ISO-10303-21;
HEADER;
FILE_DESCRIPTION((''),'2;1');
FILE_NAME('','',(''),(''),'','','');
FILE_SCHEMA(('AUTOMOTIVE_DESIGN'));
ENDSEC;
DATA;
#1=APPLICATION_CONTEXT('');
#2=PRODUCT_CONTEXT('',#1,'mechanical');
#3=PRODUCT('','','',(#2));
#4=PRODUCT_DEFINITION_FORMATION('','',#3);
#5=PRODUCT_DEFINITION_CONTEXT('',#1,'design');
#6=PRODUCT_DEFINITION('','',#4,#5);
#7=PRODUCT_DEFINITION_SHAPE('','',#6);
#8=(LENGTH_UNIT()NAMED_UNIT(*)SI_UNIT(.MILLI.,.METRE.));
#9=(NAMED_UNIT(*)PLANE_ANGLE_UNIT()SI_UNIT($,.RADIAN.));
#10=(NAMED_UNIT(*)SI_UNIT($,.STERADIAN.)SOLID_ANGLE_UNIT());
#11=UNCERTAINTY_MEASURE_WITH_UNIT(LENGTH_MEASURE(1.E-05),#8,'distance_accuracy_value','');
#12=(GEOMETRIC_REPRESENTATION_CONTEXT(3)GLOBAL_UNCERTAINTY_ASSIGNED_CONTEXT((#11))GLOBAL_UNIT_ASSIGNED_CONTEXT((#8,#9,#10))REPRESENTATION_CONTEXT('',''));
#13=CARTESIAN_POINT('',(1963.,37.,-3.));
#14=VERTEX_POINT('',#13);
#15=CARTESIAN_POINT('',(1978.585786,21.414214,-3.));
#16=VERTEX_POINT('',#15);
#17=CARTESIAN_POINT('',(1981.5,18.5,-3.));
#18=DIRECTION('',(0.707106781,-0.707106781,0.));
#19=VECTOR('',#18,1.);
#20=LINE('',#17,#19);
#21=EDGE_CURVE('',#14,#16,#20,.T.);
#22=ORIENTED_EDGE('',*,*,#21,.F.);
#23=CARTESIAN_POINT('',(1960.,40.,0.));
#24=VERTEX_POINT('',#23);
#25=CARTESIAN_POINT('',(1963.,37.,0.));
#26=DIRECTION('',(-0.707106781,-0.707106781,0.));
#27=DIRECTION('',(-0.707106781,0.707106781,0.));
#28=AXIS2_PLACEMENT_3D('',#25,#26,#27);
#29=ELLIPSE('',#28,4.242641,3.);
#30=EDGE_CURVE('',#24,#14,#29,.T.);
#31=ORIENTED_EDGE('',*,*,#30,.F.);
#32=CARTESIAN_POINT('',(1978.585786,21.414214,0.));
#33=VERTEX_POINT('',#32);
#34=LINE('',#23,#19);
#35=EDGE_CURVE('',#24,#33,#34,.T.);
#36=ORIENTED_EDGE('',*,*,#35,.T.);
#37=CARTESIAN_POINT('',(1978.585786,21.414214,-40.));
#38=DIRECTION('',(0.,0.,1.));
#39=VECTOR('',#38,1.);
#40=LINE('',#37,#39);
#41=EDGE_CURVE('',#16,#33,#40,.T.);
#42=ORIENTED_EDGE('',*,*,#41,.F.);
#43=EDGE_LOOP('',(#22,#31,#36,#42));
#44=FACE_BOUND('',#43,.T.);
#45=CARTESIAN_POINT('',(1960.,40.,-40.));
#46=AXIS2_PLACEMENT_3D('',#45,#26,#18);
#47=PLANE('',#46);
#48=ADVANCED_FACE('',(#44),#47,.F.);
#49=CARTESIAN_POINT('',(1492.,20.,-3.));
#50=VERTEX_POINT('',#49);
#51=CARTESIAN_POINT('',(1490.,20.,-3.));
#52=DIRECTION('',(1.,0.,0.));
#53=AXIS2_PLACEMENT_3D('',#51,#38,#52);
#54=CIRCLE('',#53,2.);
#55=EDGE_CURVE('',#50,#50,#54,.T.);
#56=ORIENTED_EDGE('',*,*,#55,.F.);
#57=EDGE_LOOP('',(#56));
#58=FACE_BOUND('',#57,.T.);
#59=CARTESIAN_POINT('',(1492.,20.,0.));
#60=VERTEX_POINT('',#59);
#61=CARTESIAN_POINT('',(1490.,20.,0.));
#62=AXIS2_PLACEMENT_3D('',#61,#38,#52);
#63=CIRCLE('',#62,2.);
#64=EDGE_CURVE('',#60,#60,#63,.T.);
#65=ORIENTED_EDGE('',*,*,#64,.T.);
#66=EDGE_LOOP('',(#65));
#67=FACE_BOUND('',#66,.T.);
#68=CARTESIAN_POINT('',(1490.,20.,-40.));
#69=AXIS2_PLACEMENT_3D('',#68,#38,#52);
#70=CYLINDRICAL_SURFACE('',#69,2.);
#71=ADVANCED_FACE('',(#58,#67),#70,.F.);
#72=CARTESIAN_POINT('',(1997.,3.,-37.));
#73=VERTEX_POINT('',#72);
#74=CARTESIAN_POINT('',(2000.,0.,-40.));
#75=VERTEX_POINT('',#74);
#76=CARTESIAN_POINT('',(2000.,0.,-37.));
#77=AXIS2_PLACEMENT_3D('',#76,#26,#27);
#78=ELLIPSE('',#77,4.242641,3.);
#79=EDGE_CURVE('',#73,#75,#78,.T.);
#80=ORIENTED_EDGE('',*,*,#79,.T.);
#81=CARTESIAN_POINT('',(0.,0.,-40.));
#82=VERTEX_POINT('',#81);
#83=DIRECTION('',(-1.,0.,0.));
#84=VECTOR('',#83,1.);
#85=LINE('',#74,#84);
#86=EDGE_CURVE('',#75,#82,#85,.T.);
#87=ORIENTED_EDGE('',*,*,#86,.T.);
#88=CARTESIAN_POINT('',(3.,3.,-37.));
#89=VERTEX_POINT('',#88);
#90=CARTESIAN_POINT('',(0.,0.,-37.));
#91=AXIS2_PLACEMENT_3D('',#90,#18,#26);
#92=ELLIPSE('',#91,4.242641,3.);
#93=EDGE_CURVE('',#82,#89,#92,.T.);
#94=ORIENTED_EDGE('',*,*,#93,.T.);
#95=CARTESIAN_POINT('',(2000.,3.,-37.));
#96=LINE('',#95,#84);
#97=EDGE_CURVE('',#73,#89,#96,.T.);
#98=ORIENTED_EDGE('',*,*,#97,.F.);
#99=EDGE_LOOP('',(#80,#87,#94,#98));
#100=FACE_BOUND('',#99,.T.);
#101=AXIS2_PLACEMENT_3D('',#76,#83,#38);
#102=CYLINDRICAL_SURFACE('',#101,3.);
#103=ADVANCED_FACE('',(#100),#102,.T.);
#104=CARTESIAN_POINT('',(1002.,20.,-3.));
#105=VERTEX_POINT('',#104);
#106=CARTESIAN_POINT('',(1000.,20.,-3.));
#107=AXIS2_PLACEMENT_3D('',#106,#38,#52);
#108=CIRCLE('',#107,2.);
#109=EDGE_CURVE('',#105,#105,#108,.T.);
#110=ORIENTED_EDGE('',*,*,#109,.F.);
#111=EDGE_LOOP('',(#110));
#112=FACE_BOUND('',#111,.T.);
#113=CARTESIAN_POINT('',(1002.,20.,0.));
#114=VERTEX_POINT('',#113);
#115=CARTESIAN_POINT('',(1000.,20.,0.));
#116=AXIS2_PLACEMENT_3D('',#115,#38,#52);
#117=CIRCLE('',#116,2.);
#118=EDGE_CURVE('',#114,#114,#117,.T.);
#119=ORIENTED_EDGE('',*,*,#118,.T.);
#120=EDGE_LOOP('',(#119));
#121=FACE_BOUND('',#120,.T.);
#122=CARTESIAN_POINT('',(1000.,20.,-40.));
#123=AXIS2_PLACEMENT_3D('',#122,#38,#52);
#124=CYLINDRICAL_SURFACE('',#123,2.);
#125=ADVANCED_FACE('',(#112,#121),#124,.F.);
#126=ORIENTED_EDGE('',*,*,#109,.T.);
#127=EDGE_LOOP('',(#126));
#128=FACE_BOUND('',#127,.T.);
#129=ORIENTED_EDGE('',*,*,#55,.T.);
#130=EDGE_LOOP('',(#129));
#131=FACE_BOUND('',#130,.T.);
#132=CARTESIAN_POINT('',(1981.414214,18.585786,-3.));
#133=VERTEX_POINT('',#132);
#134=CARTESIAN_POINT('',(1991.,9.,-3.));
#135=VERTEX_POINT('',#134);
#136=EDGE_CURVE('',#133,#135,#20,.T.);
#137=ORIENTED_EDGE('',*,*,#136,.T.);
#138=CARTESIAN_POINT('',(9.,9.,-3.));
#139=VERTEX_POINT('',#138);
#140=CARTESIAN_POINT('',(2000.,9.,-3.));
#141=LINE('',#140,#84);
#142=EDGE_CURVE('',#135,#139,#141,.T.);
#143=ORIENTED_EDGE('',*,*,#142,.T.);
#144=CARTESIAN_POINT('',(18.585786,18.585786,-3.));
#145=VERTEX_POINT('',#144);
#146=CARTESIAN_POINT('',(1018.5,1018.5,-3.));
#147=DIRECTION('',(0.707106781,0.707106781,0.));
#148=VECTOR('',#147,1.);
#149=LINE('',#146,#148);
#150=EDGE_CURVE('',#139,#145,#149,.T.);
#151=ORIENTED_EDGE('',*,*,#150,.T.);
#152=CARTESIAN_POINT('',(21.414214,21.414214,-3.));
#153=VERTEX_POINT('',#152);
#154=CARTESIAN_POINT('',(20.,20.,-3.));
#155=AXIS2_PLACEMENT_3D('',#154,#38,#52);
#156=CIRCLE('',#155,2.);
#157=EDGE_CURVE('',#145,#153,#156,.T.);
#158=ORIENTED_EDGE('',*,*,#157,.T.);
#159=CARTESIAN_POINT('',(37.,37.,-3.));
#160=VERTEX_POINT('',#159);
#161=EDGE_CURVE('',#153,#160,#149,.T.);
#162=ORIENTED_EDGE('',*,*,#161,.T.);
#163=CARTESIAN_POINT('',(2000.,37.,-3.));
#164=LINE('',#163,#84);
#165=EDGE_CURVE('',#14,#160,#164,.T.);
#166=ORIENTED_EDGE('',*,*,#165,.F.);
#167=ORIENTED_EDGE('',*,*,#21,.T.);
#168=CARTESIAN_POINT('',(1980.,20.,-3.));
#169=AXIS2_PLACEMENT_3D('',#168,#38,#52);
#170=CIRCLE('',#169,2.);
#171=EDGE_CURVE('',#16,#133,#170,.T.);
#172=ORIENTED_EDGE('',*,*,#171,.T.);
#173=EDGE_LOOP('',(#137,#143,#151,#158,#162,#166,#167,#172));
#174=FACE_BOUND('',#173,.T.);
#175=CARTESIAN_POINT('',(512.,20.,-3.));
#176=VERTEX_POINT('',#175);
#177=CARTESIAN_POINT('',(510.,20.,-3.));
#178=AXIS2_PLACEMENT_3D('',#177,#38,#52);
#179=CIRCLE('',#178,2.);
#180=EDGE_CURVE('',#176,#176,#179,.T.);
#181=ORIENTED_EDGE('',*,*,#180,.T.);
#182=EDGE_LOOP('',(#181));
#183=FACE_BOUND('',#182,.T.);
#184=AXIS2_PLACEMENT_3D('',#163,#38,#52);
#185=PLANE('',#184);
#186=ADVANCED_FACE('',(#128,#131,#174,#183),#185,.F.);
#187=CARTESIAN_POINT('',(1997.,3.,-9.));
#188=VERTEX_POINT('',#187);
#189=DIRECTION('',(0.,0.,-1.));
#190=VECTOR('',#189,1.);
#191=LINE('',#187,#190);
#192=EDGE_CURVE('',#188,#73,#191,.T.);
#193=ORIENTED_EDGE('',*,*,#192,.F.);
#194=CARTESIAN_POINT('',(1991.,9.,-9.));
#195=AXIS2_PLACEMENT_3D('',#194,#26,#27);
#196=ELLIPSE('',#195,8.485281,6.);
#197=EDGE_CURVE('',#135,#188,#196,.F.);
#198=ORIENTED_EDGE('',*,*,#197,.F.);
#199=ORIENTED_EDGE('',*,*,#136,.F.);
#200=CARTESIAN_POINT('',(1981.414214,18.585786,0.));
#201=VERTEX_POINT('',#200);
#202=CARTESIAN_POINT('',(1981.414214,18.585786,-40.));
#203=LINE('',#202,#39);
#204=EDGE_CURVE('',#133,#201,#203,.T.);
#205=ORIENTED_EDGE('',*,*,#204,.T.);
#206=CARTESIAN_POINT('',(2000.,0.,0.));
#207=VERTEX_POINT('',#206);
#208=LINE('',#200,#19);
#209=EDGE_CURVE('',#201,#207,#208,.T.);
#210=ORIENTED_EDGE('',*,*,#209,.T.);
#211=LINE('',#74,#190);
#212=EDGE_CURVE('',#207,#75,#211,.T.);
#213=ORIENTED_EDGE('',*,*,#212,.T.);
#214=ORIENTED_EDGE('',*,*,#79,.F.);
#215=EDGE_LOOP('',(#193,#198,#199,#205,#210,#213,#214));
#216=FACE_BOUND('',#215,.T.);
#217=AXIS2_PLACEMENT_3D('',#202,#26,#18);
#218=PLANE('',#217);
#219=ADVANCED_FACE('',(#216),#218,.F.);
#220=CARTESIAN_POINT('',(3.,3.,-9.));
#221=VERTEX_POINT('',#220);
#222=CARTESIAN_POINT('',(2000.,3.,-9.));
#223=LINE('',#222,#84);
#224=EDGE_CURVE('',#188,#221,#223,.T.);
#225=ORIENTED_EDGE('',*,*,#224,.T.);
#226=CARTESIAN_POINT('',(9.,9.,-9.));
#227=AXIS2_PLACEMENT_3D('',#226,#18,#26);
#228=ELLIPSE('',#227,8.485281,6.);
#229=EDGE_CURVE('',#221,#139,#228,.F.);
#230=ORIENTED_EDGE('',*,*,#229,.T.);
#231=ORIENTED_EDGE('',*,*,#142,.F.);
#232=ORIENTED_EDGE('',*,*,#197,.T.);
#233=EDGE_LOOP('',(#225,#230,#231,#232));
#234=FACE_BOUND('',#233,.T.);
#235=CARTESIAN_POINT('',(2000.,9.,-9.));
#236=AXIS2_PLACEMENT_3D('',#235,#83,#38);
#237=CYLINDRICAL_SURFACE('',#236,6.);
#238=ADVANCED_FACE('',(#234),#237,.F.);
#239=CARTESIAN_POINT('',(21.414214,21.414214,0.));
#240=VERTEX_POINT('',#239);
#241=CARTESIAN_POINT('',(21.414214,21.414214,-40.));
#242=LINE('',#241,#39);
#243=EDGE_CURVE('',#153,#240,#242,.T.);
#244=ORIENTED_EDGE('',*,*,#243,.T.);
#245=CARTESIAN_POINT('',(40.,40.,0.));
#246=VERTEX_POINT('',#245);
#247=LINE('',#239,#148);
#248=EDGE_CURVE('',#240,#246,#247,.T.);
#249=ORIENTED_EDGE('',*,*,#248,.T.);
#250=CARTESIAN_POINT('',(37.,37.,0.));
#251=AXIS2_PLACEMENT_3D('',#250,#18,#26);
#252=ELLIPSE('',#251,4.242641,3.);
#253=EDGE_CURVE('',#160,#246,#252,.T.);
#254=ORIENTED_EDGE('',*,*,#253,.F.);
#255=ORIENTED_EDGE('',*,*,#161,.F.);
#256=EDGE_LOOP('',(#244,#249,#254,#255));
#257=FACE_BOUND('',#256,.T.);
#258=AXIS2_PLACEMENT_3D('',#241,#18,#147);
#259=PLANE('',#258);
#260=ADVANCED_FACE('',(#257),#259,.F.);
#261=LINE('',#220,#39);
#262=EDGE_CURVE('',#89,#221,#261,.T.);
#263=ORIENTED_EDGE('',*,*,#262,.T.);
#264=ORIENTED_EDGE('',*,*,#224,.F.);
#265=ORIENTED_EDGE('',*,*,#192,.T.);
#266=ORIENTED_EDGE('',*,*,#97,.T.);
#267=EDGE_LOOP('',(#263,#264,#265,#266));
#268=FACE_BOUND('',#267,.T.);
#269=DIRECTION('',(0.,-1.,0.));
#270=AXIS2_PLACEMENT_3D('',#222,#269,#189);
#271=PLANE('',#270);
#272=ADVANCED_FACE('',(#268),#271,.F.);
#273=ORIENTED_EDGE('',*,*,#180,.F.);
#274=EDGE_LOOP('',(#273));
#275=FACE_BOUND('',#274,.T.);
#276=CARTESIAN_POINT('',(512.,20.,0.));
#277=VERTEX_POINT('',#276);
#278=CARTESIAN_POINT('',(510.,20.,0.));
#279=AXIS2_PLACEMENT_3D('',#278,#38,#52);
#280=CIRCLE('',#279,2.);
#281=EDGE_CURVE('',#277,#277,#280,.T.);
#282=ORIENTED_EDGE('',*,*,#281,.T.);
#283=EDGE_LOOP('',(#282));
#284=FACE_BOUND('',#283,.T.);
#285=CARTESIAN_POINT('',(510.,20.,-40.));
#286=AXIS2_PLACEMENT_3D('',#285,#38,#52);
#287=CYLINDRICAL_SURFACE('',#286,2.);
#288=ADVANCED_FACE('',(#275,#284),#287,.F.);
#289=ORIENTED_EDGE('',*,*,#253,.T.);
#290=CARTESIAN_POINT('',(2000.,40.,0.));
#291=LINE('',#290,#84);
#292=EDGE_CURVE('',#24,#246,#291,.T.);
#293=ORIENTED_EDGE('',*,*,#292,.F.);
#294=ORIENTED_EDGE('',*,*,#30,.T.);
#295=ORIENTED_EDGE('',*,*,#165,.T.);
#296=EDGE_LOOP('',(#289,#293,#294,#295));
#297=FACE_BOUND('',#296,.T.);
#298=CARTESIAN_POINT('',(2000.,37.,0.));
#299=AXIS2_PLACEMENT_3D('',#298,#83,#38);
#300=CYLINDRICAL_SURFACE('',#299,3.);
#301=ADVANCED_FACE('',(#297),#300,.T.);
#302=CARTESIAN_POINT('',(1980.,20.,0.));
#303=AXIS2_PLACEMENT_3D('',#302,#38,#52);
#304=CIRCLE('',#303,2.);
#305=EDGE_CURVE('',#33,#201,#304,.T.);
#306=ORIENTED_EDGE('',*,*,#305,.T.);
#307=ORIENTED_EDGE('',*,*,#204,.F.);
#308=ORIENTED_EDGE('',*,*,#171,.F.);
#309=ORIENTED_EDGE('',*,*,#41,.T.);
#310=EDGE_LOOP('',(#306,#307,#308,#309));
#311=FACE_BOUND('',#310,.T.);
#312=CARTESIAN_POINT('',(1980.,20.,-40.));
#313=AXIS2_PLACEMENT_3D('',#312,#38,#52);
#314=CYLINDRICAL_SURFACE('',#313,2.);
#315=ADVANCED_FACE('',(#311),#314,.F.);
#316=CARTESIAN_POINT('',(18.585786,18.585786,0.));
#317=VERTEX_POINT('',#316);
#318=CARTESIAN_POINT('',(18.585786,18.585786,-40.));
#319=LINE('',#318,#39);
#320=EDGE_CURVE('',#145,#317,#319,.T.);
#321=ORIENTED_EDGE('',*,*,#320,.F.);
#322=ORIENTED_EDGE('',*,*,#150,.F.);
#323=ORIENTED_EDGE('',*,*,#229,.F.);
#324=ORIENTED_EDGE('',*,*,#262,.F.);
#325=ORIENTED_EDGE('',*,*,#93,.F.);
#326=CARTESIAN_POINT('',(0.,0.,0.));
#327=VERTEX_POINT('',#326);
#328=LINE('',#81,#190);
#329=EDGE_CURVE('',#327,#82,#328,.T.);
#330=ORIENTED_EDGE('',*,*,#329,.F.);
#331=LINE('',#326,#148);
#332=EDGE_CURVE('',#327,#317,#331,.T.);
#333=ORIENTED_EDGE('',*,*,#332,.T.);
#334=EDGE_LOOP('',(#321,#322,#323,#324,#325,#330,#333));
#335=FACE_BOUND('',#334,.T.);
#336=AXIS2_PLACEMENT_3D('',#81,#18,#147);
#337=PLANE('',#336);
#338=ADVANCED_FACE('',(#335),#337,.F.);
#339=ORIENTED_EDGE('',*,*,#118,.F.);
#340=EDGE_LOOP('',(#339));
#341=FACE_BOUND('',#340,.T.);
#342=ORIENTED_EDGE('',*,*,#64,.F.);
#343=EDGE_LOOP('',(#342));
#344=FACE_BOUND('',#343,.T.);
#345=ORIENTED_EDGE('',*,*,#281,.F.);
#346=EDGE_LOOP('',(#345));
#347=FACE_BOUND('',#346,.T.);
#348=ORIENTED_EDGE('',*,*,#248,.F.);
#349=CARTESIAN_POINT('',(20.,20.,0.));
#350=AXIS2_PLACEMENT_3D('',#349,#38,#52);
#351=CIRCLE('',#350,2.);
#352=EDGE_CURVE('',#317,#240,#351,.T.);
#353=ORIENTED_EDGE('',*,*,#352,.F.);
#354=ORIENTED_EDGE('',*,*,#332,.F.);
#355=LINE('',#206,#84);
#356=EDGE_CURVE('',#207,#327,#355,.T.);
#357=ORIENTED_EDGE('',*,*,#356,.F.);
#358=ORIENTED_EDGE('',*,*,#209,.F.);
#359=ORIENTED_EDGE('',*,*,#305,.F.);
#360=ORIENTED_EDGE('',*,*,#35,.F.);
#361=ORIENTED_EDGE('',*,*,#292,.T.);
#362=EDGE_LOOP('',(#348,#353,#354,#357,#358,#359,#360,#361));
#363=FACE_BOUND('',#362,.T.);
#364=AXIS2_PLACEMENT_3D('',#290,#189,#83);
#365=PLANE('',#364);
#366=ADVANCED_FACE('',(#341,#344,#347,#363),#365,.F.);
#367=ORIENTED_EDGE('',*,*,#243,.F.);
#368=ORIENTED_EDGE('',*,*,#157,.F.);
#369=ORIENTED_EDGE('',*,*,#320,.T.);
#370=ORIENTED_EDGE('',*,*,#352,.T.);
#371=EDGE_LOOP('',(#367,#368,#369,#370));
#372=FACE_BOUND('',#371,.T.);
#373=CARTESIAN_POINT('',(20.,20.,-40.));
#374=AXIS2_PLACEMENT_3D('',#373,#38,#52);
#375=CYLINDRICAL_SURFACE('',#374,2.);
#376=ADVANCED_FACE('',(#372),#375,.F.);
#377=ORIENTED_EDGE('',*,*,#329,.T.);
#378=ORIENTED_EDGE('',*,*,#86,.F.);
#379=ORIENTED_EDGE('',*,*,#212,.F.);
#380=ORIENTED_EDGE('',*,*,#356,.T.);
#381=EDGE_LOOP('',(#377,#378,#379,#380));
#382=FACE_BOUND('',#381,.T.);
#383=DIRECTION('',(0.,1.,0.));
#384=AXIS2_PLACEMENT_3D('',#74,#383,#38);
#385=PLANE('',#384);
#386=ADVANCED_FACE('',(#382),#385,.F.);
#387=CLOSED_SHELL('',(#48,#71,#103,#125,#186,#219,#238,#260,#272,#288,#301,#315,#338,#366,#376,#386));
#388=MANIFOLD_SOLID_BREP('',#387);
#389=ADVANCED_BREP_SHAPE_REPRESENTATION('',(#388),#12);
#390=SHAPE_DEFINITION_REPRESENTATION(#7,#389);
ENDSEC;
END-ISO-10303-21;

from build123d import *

# Parameters (mm, degrees)
L_ANGLE_EQUAL_40X40X3_4_DEPTH = 2000
SKETCH14_R                    = 2
CUT_EXTRUDE1_DEPTH            = 2001.799840064


with BuildPart() as part:
    # Sketch13 → L angle (equal) 40X40X3(4) (new body)
    with BuildSketch(Plane(origin=(0, 0, 0), x_dir=(0, 0, -1), z_dir=(1, 0, 0))):
        with BuildLine():
            Line((0, 40), (0, 0))
            Line((0, 0), (40, 0))
            ThreePointArc((40, 0), (39.121320344, 2.121320344), (37, 3))
            Line((37, 3), (9, 3))
            ThreePointArc((9, 3), (4.757359313, 4.757359313), (3, 9))
            Line((3, 9), (3, 37))
            ThreePointArc((3, 37), (2.121320344, 39.121320344), (0, 40))
        make_face()
    extrude(amount=L_ANGLE_EQUAL_40X40X3_4_DEPTH)

    # Sketch14 → Cut-Extrude1 (cut, through all)
    with BuildSketch(Plane.XY):
        with Locations((1000, 20)):
            Circle(SKETCH14_R)
        with Locations((510, 20)):
            Circle(SKETCH14_R)
        with Locations((1490, 20)):
            Circle(SKETCH14_R)
        with BuildLine():
            Line((2000, 0), (2000, 40))
            Line((2000, 40), (1960, 40))
            Line((1960, 40), (1978.585786438, 21.414213562))
            ThreePointArc((1978.585786438, 21.414213562), (1978.585786438, 18.585786438), (1981.414213562, 18.585786438))
            Line((1981.414213562, 18.585786438), (2000, 0))
        make_face()
        with BuildLine():
            Line((0, 40), (0, 0))
            Line((0, 0), (18.585786438, 18.585786438))
            ThreePointArc((18.585786438, 18.585786438), (21.414213562, 18.585786438), (21.414213562, 21.414213562))
            Line((21.414213562, 21.414213562), (40, 40))
            Line((40, 40), (0, 40))
        make_face()
    extrude(amount=-CUT_EXTRUDE1_DEPTH, mode=Mode.SUBTRACT)


solid = part.part
